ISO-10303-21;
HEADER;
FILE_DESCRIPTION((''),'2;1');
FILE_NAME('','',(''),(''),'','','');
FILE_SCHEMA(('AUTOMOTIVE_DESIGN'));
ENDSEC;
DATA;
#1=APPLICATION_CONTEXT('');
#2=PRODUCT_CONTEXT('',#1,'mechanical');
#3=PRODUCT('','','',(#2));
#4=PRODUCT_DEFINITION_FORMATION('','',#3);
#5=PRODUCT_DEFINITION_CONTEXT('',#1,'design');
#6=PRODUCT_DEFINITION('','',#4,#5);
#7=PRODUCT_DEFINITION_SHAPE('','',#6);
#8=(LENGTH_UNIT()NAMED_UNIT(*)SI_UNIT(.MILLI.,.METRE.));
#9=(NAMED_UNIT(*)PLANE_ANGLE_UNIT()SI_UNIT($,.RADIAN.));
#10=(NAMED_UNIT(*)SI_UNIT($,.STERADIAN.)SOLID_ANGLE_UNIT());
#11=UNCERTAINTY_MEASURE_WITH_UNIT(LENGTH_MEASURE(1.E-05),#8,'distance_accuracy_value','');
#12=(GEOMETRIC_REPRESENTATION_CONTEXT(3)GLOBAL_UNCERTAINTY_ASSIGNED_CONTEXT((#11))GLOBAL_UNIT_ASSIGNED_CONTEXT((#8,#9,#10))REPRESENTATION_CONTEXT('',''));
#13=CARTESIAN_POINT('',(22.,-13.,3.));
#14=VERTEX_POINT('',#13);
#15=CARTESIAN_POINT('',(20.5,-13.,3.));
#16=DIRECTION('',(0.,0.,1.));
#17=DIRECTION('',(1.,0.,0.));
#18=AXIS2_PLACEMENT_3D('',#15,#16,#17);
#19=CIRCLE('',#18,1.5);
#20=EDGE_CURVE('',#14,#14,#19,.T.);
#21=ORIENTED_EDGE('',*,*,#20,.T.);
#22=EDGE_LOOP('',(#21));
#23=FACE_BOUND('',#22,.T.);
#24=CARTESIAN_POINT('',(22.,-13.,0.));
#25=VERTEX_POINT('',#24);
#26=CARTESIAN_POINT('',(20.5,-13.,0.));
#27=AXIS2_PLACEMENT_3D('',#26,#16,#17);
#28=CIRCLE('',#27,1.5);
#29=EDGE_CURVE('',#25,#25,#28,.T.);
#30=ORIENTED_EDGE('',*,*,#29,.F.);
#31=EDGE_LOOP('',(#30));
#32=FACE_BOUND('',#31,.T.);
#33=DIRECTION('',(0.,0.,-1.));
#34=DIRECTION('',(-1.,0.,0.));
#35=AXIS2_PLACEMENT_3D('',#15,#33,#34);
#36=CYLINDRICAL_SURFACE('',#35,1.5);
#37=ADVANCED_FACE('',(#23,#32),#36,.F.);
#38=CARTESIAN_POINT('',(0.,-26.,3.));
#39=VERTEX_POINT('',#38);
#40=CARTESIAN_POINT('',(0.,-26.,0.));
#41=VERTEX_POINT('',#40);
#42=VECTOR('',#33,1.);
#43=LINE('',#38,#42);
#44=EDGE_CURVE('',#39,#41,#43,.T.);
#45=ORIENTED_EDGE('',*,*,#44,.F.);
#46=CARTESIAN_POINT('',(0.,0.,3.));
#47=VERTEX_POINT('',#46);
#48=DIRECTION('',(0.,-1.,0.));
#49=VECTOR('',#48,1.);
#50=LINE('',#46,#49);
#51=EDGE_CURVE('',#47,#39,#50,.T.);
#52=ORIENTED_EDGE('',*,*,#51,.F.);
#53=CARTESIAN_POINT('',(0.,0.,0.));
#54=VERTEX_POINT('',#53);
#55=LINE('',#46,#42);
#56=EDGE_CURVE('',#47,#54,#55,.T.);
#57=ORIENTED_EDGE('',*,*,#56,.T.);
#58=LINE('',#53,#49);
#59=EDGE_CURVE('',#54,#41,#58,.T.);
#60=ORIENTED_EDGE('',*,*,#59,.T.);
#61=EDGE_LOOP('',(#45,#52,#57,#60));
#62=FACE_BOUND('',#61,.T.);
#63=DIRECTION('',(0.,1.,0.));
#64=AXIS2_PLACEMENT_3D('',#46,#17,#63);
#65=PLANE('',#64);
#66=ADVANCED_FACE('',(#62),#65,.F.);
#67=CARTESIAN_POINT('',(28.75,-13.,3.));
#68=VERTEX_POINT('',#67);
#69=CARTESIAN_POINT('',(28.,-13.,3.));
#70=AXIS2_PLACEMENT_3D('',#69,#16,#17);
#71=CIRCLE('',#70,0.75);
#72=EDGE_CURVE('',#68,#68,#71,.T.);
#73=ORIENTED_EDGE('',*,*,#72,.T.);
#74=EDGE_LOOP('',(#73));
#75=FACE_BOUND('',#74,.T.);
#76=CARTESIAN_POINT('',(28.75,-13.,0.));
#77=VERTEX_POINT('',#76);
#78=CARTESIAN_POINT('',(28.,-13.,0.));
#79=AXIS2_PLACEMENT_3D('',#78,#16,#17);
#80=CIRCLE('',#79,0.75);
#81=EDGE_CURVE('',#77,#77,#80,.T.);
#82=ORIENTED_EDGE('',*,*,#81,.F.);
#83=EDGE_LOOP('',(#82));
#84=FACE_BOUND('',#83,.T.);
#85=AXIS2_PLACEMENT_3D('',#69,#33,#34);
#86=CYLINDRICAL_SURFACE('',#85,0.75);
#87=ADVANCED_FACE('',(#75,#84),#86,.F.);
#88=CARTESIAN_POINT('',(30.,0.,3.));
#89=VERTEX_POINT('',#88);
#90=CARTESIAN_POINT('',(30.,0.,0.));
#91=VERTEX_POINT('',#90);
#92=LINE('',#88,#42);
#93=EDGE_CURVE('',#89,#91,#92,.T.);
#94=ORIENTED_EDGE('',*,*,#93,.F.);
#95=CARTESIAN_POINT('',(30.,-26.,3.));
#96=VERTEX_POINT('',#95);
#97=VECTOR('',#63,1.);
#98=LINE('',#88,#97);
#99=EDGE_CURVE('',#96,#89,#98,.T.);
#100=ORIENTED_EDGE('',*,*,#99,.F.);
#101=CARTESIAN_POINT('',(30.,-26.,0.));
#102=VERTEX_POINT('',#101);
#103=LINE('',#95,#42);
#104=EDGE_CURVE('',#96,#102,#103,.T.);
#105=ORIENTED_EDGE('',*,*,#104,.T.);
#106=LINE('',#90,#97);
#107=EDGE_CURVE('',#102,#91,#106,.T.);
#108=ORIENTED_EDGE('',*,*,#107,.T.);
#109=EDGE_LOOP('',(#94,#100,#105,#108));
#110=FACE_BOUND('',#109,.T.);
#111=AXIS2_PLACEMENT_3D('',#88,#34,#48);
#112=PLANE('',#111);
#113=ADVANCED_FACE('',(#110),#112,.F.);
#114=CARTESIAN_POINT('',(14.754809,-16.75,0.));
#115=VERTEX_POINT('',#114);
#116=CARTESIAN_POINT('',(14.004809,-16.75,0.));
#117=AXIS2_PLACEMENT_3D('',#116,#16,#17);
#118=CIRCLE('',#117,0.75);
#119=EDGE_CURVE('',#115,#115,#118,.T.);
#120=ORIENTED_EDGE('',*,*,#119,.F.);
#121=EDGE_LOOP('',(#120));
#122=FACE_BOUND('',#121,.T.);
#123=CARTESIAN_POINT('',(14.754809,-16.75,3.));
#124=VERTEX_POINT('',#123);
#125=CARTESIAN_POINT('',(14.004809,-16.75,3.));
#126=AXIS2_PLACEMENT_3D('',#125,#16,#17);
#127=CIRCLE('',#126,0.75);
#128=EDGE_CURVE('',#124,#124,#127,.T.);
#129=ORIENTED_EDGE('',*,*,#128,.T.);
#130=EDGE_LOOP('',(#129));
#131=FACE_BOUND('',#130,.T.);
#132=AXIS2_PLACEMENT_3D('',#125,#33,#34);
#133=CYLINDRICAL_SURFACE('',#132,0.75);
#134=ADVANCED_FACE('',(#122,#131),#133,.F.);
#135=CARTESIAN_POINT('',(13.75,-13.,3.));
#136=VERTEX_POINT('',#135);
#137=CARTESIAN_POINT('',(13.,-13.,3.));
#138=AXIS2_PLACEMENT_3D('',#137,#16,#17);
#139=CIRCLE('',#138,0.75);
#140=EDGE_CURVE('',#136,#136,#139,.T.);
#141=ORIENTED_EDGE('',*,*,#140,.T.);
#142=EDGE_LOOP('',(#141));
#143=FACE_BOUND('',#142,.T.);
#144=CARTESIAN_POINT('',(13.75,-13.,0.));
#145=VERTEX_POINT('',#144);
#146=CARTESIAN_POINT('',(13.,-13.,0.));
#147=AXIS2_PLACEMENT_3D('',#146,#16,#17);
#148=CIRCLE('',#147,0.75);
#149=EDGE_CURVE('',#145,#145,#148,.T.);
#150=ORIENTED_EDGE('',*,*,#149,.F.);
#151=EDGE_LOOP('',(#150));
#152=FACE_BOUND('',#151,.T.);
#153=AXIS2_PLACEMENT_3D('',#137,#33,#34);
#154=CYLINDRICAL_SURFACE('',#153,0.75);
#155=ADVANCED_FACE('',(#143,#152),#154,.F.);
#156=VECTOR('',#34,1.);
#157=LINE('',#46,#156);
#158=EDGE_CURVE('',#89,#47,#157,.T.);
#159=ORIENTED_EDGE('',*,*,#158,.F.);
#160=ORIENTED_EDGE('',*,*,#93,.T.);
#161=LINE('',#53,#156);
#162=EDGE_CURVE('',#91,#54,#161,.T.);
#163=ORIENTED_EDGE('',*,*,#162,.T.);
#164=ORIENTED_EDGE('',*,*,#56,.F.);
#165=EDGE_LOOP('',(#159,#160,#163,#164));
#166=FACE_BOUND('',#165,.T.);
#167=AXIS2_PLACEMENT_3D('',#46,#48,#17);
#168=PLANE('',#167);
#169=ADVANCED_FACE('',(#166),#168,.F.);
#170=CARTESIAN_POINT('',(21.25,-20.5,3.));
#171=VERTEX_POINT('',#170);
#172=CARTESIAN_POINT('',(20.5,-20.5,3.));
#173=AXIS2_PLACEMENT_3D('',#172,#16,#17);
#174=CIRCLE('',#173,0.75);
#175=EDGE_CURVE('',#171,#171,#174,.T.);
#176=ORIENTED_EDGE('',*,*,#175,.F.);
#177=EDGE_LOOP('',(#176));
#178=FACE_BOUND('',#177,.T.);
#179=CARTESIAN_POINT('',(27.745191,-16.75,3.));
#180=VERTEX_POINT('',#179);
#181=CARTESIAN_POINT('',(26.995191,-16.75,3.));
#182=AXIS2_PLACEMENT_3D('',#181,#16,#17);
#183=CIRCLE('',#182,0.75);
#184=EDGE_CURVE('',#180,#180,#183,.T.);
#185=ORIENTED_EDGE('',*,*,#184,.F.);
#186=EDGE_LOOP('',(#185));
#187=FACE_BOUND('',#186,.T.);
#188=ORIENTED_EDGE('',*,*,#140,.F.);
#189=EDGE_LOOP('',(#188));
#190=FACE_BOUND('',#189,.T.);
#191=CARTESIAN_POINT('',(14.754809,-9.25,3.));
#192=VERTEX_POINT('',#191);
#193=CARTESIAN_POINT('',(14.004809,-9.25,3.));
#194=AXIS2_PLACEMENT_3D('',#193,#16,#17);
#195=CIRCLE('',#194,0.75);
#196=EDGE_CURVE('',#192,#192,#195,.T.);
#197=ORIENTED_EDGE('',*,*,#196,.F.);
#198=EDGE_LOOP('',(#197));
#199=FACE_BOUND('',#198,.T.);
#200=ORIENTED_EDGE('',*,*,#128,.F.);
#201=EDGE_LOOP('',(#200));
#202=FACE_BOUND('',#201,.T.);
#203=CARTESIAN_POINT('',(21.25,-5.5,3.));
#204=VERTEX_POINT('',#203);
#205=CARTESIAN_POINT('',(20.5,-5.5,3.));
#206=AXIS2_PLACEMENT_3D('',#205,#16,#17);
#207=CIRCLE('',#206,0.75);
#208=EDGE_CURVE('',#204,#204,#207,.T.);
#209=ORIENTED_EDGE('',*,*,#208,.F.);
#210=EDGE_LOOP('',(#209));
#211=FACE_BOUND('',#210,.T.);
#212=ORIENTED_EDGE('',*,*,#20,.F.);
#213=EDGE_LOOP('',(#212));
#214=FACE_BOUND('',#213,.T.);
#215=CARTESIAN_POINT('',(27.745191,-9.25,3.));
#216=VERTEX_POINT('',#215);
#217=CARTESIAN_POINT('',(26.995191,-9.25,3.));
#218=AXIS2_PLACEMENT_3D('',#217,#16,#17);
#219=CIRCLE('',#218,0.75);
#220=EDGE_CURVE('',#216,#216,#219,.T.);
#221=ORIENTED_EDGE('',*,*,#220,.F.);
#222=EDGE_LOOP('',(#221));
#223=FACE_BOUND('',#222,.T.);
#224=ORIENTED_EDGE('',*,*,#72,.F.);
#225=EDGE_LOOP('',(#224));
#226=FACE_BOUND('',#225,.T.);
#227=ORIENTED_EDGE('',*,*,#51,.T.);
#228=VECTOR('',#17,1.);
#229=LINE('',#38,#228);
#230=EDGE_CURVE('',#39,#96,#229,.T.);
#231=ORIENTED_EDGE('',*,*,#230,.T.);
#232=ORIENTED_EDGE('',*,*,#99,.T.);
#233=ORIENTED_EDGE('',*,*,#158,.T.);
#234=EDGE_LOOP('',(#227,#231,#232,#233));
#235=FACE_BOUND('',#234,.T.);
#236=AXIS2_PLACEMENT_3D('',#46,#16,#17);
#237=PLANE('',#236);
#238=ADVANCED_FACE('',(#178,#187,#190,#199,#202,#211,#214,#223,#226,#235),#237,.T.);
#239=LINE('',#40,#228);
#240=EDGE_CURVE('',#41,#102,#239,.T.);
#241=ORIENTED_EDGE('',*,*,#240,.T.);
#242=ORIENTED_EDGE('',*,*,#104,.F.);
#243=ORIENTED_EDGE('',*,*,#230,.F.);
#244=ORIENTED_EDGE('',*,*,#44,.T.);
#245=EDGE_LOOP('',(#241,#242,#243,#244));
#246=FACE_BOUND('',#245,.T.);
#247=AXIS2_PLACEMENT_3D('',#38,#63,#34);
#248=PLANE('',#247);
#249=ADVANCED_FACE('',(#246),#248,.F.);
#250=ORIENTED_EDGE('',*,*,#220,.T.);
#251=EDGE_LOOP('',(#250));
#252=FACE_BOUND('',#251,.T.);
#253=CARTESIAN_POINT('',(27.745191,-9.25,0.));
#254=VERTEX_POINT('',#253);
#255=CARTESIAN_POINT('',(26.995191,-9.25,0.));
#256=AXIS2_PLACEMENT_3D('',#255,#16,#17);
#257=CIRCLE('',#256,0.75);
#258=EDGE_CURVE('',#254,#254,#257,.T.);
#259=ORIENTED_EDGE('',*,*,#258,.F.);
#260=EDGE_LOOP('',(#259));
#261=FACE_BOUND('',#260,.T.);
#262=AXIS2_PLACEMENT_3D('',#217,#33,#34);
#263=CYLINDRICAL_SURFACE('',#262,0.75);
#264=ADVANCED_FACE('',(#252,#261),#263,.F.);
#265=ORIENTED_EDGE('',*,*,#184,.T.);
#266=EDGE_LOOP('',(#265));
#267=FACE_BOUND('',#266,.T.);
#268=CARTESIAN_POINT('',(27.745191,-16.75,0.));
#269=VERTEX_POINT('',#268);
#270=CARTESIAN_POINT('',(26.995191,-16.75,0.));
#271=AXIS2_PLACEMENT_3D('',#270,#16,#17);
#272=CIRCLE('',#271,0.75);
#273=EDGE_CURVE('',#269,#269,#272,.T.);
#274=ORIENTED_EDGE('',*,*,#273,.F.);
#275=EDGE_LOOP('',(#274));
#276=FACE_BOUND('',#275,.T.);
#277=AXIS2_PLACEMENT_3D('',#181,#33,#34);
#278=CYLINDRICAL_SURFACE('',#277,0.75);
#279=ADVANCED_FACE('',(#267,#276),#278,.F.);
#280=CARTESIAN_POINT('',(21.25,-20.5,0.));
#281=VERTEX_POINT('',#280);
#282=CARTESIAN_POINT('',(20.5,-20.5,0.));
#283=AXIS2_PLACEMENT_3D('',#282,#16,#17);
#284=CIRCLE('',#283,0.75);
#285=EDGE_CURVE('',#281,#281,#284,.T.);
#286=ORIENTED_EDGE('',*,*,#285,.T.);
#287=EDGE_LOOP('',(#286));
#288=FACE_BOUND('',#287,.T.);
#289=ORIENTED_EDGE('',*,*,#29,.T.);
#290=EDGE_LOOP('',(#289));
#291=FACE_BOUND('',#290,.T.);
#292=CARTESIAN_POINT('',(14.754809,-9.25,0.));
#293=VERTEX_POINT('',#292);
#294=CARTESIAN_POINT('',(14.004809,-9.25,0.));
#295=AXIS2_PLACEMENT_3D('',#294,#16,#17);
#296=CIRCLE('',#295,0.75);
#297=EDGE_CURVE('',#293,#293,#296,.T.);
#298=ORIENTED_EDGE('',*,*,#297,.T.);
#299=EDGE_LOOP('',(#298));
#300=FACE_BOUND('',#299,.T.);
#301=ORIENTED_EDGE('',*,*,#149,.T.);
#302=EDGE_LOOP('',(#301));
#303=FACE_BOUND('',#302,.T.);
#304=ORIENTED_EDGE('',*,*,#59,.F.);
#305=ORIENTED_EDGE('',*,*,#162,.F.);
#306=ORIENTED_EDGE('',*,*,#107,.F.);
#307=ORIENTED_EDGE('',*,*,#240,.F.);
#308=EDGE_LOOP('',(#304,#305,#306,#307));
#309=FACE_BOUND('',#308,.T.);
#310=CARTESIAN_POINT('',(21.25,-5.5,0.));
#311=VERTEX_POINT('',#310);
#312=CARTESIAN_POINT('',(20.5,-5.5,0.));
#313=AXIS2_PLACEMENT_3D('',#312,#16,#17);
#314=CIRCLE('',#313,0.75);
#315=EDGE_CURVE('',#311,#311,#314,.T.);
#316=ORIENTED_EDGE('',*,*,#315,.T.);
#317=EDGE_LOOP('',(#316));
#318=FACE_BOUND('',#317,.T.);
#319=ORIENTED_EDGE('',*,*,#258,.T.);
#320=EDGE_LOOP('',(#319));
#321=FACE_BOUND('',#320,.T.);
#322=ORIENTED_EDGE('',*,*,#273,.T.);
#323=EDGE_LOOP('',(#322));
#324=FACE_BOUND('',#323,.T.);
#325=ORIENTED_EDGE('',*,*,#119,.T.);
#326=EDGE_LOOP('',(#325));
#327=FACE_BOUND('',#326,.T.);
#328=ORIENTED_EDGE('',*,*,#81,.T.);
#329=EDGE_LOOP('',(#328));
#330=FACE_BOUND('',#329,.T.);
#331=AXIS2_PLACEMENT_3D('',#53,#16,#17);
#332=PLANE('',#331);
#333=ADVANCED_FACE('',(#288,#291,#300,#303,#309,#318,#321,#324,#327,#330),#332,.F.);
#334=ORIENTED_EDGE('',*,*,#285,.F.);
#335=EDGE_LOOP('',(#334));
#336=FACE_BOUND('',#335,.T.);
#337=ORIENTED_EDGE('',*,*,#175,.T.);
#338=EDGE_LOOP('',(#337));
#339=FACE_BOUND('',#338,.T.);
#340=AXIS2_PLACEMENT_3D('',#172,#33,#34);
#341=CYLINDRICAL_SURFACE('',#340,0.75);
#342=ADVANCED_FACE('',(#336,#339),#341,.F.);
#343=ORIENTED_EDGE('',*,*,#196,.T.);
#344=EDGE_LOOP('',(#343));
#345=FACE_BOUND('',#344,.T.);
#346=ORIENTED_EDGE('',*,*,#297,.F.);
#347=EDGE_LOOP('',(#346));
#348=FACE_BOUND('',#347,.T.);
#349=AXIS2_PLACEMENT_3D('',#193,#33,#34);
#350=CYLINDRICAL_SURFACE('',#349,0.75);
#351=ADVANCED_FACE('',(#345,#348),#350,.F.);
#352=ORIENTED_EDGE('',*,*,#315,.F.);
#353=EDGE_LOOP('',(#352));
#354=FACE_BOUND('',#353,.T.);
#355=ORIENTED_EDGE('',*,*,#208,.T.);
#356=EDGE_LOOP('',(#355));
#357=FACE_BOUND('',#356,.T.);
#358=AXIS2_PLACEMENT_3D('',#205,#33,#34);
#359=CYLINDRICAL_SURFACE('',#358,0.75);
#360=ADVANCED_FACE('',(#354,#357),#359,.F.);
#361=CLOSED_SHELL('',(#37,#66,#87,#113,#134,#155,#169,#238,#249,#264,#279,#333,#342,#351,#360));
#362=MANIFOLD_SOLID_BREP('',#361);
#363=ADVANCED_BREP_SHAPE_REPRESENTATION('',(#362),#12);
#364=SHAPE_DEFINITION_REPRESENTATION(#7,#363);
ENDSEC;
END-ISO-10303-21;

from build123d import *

# Parameters (mm, degrees)
SKETCH1_W           = 30
SKETCH1_H           = 26
SKETCH1_R           = 0.75
SKETCH1_R_2         = 1.5
BOSS_EXTRUDE1_DEPTH = 3


with BuildPart() as part:
    # Sketch1 → Boss-Extrude1 (new body)
    with BuildSketch(Plane.XY):
        with Locations((15, -13)):
            Rectangle(SKETCH1_W, SKETCH1_H)
        with Locations((20.5, -5.5)):
            Circle(SKETCH1_R, mode=Mode.SUBTRACT)
        with Locations((26.995190528, -9.25)):
            Circle(SKETCH1_R, mode=Mode.SUBTRACT)
        with Locations((26.995190528, -16.75)):
            Circle(SKETCH1_R, mode=Mode.SUBTRACT)
        with Locations((20.5, -20.5)):
            Circle(SKETCH1_R, mode=Mode.SUBTRACT)
        with Locations((14.004809472, -16.75)):
            Circle(SKETCH1_R, mode=Mode.SUBTRACT)
        with Locations((14.004809472, -9.25)):
            Circle(SKETCH1_R, mode=Mode.SUBTRACT)
        with Locations((20.5, -13)):
            Circle(SKETCH1_R_2, mode=Mode.SUBTRACT)
        with Locations((13, -13)):
            Circle(SKETCH1_R, mode=Mode.SUBTRACT)
        with Locations((28, -13)):
            Circle(SKETCH1_R, mode=Mode.SUBTRACT)
    extrude(amount=BOSS_EXTRUDE1_DEPTH)


solid = part.part
